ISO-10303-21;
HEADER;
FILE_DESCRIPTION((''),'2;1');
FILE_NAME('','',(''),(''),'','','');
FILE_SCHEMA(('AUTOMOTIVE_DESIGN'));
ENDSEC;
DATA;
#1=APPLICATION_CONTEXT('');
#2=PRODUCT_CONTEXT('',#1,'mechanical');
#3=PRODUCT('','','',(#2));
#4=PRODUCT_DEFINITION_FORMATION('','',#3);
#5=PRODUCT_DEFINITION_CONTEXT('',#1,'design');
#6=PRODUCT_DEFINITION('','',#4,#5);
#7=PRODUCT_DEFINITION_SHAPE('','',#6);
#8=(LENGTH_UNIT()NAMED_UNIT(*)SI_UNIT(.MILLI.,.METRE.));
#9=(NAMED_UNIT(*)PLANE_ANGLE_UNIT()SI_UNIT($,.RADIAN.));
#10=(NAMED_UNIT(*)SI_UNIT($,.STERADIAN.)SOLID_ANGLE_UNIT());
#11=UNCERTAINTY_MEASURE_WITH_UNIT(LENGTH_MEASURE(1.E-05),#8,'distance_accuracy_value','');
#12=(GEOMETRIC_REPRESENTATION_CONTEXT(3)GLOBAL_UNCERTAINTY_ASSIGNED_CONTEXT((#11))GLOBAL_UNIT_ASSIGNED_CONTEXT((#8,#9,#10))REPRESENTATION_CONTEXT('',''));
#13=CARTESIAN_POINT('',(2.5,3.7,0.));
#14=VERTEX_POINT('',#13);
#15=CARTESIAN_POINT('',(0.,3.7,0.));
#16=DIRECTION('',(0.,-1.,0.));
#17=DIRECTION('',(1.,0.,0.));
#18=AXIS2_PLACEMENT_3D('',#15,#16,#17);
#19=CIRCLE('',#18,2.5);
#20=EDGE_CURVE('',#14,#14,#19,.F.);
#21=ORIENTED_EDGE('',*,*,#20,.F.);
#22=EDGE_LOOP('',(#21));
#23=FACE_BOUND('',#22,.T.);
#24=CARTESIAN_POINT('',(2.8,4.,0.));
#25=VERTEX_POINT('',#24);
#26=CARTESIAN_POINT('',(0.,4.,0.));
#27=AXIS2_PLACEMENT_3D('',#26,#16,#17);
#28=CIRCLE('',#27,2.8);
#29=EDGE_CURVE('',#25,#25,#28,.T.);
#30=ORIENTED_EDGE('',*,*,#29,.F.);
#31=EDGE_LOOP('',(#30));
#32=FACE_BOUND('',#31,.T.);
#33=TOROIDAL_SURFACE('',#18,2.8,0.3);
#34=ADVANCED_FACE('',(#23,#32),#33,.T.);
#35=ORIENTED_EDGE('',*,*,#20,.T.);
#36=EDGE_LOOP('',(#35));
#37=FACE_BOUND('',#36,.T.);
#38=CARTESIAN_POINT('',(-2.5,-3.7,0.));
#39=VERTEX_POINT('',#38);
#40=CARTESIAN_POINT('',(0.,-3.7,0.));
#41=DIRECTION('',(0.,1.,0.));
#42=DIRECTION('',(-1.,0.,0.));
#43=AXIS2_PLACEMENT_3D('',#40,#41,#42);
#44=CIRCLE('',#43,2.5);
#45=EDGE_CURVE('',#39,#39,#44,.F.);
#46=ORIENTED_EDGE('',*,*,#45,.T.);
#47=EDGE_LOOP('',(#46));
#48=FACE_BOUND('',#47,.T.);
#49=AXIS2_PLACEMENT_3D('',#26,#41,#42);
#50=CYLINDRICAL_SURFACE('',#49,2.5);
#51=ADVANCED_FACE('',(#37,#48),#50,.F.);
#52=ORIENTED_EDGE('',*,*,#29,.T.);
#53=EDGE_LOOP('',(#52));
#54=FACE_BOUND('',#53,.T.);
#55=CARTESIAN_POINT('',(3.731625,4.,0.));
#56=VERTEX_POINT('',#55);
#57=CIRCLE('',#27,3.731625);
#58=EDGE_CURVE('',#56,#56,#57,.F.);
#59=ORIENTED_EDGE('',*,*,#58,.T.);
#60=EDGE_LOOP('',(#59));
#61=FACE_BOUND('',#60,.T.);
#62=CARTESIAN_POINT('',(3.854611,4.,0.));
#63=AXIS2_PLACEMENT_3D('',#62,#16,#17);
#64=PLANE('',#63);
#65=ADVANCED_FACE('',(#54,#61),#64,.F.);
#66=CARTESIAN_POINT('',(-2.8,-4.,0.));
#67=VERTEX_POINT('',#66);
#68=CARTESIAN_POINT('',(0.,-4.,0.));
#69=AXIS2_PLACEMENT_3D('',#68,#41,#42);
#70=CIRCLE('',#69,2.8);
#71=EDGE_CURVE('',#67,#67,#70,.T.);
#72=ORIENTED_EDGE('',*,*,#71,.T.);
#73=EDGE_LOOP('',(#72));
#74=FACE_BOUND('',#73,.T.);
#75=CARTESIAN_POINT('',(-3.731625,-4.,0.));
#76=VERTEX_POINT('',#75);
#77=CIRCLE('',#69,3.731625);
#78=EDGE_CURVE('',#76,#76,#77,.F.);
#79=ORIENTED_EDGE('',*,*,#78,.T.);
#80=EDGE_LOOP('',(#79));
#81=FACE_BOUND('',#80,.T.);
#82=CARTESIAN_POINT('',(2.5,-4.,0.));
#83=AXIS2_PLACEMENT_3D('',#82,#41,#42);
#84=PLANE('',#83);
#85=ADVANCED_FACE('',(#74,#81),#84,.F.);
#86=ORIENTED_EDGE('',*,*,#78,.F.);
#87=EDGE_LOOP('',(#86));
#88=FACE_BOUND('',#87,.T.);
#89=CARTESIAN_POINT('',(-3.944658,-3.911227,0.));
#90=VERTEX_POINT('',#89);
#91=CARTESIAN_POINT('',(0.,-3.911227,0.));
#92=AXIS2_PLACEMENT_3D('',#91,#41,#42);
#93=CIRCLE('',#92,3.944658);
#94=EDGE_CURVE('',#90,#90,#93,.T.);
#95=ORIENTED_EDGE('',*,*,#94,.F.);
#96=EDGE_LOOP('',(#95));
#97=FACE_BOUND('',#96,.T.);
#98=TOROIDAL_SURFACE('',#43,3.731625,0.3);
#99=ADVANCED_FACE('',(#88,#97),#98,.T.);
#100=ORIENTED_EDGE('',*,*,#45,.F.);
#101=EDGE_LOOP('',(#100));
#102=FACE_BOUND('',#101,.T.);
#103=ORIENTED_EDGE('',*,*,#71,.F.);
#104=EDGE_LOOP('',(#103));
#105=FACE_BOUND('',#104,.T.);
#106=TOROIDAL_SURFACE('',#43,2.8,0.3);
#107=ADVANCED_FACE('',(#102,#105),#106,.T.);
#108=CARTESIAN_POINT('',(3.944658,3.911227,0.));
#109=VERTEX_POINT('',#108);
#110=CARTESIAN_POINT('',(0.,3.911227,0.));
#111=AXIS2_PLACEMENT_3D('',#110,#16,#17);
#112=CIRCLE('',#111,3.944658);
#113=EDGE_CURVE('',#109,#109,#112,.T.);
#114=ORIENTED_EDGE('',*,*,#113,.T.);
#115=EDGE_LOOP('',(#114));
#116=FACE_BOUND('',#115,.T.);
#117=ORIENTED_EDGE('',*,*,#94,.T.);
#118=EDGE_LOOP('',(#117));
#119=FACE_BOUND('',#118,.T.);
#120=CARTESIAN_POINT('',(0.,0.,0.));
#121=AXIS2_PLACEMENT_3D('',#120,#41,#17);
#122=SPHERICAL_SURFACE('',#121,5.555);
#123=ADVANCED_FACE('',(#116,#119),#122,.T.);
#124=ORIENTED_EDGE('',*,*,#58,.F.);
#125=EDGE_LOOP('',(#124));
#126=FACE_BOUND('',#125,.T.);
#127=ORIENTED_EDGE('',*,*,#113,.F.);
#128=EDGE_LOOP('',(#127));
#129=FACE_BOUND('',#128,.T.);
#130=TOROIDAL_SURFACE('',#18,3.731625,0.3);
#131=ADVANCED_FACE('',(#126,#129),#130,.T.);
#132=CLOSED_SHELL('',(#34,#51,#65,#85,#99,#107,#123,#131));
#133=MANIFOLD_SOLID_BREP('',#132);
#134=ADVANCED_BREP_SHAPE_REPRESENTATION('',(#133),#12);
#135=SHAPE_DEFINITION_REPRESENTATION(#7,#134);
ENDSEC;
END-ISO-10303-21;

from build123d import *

# Parameters (mm, degrees)
FILLET1_R = 0.3


with BuildPart() as part:
    # Sketch1 → Revolve1 (revolve)
    with BuildSketch(Plane.XY):
        with BuildLine():
            Line((3.854610875, 4), (2.5, 4))
            Line((2.5, 4), (2.5, -4))
            Line((2.5, -4), (3.854610875, -4))
            ThreePointArc((3.854610875, -4), (5.555, 0), (3.854610875, 4))
        make_face()
    revolve(axis=Axis((0, 4, 0), (0, -1, 0)))

    # Fillet1
    fillet1_edges = [part.edges().sort_by_distance(p)[0] for p in [
        (-3.854610875, -4, 0),
        (-2.5, -4, 0),
        (-2.5, 4, 0),
        (-3.854610875, 4, 0),
    ]]
    fillet(fillet1_edges, radius=FILLET1_R)


solid = part.part
